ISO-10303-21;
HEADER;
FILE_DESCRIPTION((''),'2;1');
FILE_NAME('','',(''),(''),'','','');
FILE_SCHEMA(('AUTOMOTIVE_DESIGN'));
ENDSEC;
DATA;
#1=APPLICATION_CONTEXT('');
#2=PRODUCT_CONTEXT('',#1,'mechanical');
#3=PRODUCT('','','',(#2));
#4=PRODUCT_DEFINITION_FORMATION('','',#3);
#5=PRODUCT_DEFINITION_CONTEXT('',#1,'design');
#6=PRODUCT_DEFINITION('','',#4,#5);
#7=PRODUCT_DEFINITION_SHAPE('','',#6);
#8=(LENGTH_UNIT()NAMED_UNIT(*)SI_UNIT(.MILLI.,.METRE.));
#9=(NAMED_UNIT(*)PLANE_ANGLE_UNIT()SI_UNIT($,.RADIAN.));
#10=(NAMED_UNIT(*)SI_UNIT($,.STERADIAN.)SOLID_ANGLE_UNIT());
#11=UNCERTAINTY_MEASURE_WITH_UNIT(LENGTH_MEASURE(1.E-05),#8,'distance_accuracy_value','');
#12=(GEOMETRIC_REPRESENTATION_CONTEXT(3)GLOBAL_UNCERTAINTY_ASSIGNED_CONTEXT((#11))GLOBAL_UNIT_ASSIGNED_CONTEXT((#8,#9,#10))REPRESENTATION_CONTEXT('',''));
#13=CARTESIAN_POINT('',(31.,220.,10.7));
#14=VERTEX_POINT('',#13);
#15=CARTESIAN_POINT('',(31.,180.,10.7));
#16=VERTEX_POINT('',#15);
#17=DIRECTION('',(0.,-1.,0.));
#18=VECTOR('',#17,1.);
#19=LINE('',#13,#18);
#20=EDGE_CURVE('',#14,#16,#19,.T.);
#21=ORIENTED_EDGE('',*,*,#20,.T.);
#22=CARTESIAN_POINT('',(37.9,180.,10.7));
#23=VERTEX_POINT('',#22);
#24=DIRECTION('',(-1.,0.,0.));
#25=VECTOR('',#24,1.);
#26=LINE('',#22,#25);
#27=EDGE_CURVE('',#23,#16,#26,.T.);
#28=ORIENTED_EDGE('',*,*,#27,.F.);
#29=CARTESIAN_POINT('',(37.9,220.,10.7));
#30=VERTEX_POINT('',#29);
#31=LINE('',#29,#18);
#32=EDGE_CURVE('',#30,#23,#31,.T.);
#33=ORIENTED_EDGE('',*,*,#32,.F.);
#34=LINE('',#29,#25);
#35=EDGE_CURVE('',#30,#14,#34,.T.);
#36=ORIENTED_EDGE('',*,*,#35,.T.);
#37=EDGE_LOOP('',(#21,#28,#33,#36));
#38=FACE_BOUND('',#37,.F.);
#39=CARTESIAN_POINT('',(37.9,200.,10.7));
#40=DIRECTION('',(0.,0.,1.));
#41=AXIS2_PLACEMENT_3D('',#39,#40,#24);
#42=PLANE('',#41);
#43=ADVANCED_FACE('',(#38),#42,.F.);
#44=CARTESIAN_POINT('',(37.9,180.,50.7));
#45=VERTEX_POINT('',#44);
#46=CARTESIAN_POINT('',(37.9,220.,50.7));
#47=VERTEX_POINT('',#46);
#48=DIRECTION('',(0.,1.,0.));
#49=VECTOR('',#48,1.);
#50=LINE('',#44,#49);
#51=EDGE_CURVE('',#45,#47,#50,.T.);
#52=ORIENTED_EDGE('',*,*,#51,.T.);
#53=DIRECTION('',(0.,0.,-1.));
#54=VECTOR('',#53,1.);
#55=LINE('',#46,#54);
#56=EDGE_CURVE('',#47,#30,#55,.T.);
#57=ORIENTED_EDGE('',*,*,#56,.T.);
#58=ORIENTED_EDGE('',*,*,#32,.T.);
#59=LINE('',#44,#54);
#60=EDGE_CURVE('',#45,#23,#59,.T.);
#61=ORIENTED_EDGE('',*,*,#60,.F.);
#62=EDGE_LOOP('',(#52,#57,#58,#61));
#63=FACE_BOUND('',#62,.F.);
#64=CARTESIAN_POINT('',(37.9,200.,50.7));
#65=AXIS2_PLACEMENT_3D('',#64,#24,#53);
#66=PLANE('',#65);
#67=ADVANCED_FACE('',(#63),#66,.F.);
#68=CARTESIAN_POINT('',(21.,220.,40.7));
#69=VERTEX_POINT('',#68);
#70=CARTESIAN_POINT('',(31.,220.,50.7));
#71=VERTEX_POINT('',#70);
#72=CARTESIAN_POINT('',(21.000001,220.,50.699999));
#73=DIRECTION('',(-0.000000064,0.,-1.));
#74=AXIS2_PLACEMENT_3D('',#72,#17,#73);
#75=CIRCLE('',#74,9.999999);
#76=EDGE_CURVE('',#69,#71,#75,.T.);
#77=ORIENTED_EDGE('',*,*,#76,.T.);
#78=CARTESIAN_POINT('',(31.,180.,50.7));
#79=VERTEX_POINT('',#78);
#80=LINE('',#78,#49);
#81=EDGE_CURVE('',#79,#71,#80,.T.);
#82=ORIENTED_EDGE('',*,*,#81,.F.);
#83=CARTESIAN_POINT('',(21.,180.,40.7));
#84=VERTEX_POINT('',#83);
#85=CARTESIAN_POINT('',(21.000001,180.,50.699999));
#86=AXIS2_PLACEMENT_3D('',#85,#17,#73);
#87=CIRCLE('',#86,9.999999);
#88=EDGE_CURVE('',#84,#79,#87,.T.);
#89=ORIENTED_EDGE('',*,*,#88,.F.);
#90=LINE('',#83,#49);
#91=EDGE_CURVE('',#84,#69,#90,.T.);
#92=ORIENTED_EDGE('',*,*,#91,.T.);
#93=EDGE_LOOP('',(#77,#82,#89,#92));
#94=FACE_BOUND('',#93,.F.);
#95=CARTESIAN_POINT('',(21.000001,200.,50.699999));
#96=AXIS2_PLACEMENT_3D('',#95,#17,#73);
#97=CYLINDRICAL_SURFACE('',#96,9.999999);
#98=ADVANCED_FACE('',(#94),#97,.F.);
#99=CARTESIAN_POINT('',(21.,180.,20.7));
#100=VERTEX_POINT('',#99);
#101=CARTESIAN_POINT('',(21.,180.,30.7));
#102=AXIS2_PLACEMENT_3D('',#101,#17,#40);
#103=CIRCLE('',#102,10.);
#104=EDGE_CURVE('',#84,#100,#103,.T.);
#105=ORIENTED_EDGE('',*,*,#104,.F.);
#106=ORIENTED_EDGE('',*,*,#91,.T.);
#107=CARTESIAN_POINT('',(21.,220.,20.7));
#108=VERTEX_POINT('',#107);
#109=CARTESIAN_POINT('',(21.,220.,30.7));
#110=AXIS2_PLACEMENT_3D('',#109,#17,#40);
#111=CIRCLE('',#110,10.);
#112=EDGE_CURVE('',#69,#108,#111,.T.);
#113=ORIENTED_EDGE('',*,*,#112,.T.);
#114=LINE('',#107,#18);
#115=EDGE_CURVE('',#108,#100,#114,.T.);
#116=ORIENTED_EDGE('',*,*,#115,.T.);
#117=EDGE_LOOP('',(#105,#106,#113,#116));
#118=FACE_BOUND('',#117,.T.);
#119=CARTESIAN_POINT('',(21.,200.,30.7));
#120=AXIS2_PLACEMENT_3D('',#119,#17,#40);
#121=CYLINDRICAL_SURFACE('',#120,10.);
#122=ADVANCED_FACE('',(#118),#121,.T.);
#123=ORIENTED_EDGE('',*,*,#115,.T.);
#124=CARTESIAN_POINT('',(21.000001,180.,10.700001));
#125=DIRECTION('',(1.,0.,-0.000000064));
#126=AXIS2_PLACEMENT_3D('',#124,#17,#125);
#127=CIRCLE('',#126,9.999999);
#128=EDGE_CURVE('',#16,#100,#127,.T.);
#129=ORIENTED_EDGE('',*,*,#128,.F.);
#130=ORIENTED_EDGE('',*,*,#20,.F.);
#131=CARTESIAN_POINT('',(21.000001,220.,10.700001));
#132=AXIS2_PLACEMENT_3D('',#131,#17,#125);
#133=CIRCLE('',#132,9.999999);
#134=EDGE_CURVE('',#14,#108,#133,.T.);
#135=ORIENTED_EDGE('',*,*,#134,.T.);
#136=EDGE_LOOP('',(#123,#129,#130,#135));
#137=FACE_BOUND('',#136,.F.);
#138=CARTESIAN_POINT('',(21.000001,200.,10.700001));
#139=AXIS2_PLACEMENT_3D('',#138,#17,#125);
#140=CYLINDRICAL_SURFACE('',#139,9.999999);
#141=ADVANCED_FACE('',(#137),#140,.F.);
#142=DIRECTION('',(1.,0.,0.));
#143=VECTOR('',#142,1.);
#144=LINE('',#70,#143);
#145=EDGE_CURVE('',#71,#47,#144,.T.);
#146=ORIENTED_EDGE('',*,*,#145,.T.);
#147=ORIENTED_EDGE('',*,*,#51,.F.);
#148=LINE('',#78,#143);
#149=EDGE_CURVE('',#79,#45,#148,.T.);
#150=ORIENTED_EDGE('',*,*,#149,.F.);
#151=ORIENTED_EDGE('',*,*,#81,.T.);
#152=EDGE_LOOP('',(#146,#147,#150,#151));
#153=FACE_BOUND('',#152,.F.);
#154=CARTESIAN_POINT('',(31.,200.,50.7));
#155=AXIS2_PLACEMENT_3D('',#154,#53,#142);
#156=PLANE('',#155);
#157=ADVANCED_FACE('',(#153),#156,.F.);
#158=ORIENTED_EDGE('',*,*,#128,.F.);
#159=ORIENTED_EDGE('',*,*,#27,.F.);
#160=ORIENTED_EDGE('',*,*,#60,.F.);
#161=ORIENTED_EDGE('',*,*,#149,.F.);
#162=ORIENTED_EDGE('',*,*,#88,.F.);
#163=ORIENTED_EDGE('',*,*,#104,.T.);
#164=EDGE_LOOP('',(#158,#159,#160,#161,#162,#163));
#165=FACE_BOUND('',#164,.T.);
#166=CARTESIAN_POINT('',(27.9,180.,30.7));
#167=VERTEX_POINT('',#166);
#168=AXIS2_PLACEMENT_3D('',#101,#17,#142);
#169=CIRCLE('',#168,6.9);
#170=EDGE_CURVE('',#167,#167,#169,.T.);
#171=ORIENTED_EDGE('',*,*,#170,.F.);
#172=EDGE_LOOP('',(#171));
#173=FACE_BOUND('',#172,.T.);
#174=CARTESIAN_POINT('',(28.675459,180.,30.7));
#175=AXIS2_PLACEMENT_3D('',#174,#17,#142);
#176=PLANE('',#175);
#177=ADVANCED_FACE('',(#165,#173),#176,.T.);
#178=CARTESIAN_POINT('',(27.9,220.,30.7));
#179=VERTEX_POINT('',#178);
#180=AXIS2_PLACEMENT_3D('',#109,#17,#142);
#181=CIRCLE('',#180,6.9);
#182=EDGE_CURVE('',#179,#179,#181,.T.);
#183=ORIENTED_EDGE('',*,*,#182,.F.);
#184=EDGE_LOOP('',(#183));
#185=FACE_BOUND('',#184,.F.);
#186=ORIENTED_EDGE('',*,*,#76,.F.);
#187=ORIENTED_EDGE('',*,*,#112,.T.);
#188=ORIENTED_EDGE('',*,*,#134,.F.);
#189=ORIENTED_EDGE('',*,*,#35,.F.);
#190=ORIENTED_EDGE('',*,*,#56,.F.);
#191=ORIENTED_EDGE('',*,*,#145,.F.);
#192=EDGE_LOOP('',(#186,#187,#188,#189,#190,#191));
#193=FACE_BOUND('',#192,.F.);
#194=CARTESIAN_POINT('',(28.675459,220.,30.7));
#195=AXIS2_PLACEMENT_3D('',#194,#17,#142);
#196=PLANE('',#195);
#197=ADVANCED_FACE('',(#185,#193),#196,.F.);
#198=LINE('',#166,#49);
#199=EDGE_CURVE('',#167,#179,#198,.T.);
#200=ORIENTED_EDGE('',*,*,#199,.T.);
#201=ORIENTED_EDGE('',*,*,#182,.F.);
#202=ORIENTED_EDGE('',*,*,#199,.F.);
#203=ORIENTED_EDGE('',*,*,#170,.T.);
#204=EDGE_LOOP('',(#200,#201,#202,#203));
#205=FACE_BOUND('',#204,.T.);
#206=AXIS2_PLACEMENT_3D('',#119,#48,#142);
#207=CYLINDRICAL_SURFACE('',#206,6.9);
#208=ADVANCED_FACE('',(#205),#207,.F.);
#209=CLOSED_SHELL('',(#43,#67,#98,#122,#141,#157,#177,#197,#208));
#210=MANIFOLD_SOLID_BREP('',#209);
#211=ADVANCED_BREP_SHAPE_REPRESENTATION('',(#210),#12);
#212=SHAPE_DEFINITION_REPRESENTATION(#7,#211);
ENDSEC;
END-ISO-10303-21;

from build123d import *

# Parameters (mm, degrees)
SKETCH017_R  = 6.9
PAD007_DEPTH = 20


with BuildPart() as part:
    # Sketch017 → Pad007 (new body, symmetric)
    with BuildSketch(Plane.XZ.offset(-200)):
        with BuildLine():
            ThreePointArc((21, 40.7), (11, 30.7), (21, 20.7))
            ThreePointArc((31, 10.7), (28.071068, 17.771068), (21, 20.7))
            Line((37.9, 10.7), (31, 10.7))
            Line((37.9, 50.7), (37.9, 10.7))
            Line((31, 50.7), (37.9, 50.7))
            ThreePointArc((21, 40.7), (28.071068, 43.628932), (31, 50.7))
        make_face()
        with Locations((21, 30.7)):
            Circle(SKETCH017_R, mode=Mode.SUBTRACT)
    extrude(amount=PAD007_DEPTH, both=True)


solid = part.part
